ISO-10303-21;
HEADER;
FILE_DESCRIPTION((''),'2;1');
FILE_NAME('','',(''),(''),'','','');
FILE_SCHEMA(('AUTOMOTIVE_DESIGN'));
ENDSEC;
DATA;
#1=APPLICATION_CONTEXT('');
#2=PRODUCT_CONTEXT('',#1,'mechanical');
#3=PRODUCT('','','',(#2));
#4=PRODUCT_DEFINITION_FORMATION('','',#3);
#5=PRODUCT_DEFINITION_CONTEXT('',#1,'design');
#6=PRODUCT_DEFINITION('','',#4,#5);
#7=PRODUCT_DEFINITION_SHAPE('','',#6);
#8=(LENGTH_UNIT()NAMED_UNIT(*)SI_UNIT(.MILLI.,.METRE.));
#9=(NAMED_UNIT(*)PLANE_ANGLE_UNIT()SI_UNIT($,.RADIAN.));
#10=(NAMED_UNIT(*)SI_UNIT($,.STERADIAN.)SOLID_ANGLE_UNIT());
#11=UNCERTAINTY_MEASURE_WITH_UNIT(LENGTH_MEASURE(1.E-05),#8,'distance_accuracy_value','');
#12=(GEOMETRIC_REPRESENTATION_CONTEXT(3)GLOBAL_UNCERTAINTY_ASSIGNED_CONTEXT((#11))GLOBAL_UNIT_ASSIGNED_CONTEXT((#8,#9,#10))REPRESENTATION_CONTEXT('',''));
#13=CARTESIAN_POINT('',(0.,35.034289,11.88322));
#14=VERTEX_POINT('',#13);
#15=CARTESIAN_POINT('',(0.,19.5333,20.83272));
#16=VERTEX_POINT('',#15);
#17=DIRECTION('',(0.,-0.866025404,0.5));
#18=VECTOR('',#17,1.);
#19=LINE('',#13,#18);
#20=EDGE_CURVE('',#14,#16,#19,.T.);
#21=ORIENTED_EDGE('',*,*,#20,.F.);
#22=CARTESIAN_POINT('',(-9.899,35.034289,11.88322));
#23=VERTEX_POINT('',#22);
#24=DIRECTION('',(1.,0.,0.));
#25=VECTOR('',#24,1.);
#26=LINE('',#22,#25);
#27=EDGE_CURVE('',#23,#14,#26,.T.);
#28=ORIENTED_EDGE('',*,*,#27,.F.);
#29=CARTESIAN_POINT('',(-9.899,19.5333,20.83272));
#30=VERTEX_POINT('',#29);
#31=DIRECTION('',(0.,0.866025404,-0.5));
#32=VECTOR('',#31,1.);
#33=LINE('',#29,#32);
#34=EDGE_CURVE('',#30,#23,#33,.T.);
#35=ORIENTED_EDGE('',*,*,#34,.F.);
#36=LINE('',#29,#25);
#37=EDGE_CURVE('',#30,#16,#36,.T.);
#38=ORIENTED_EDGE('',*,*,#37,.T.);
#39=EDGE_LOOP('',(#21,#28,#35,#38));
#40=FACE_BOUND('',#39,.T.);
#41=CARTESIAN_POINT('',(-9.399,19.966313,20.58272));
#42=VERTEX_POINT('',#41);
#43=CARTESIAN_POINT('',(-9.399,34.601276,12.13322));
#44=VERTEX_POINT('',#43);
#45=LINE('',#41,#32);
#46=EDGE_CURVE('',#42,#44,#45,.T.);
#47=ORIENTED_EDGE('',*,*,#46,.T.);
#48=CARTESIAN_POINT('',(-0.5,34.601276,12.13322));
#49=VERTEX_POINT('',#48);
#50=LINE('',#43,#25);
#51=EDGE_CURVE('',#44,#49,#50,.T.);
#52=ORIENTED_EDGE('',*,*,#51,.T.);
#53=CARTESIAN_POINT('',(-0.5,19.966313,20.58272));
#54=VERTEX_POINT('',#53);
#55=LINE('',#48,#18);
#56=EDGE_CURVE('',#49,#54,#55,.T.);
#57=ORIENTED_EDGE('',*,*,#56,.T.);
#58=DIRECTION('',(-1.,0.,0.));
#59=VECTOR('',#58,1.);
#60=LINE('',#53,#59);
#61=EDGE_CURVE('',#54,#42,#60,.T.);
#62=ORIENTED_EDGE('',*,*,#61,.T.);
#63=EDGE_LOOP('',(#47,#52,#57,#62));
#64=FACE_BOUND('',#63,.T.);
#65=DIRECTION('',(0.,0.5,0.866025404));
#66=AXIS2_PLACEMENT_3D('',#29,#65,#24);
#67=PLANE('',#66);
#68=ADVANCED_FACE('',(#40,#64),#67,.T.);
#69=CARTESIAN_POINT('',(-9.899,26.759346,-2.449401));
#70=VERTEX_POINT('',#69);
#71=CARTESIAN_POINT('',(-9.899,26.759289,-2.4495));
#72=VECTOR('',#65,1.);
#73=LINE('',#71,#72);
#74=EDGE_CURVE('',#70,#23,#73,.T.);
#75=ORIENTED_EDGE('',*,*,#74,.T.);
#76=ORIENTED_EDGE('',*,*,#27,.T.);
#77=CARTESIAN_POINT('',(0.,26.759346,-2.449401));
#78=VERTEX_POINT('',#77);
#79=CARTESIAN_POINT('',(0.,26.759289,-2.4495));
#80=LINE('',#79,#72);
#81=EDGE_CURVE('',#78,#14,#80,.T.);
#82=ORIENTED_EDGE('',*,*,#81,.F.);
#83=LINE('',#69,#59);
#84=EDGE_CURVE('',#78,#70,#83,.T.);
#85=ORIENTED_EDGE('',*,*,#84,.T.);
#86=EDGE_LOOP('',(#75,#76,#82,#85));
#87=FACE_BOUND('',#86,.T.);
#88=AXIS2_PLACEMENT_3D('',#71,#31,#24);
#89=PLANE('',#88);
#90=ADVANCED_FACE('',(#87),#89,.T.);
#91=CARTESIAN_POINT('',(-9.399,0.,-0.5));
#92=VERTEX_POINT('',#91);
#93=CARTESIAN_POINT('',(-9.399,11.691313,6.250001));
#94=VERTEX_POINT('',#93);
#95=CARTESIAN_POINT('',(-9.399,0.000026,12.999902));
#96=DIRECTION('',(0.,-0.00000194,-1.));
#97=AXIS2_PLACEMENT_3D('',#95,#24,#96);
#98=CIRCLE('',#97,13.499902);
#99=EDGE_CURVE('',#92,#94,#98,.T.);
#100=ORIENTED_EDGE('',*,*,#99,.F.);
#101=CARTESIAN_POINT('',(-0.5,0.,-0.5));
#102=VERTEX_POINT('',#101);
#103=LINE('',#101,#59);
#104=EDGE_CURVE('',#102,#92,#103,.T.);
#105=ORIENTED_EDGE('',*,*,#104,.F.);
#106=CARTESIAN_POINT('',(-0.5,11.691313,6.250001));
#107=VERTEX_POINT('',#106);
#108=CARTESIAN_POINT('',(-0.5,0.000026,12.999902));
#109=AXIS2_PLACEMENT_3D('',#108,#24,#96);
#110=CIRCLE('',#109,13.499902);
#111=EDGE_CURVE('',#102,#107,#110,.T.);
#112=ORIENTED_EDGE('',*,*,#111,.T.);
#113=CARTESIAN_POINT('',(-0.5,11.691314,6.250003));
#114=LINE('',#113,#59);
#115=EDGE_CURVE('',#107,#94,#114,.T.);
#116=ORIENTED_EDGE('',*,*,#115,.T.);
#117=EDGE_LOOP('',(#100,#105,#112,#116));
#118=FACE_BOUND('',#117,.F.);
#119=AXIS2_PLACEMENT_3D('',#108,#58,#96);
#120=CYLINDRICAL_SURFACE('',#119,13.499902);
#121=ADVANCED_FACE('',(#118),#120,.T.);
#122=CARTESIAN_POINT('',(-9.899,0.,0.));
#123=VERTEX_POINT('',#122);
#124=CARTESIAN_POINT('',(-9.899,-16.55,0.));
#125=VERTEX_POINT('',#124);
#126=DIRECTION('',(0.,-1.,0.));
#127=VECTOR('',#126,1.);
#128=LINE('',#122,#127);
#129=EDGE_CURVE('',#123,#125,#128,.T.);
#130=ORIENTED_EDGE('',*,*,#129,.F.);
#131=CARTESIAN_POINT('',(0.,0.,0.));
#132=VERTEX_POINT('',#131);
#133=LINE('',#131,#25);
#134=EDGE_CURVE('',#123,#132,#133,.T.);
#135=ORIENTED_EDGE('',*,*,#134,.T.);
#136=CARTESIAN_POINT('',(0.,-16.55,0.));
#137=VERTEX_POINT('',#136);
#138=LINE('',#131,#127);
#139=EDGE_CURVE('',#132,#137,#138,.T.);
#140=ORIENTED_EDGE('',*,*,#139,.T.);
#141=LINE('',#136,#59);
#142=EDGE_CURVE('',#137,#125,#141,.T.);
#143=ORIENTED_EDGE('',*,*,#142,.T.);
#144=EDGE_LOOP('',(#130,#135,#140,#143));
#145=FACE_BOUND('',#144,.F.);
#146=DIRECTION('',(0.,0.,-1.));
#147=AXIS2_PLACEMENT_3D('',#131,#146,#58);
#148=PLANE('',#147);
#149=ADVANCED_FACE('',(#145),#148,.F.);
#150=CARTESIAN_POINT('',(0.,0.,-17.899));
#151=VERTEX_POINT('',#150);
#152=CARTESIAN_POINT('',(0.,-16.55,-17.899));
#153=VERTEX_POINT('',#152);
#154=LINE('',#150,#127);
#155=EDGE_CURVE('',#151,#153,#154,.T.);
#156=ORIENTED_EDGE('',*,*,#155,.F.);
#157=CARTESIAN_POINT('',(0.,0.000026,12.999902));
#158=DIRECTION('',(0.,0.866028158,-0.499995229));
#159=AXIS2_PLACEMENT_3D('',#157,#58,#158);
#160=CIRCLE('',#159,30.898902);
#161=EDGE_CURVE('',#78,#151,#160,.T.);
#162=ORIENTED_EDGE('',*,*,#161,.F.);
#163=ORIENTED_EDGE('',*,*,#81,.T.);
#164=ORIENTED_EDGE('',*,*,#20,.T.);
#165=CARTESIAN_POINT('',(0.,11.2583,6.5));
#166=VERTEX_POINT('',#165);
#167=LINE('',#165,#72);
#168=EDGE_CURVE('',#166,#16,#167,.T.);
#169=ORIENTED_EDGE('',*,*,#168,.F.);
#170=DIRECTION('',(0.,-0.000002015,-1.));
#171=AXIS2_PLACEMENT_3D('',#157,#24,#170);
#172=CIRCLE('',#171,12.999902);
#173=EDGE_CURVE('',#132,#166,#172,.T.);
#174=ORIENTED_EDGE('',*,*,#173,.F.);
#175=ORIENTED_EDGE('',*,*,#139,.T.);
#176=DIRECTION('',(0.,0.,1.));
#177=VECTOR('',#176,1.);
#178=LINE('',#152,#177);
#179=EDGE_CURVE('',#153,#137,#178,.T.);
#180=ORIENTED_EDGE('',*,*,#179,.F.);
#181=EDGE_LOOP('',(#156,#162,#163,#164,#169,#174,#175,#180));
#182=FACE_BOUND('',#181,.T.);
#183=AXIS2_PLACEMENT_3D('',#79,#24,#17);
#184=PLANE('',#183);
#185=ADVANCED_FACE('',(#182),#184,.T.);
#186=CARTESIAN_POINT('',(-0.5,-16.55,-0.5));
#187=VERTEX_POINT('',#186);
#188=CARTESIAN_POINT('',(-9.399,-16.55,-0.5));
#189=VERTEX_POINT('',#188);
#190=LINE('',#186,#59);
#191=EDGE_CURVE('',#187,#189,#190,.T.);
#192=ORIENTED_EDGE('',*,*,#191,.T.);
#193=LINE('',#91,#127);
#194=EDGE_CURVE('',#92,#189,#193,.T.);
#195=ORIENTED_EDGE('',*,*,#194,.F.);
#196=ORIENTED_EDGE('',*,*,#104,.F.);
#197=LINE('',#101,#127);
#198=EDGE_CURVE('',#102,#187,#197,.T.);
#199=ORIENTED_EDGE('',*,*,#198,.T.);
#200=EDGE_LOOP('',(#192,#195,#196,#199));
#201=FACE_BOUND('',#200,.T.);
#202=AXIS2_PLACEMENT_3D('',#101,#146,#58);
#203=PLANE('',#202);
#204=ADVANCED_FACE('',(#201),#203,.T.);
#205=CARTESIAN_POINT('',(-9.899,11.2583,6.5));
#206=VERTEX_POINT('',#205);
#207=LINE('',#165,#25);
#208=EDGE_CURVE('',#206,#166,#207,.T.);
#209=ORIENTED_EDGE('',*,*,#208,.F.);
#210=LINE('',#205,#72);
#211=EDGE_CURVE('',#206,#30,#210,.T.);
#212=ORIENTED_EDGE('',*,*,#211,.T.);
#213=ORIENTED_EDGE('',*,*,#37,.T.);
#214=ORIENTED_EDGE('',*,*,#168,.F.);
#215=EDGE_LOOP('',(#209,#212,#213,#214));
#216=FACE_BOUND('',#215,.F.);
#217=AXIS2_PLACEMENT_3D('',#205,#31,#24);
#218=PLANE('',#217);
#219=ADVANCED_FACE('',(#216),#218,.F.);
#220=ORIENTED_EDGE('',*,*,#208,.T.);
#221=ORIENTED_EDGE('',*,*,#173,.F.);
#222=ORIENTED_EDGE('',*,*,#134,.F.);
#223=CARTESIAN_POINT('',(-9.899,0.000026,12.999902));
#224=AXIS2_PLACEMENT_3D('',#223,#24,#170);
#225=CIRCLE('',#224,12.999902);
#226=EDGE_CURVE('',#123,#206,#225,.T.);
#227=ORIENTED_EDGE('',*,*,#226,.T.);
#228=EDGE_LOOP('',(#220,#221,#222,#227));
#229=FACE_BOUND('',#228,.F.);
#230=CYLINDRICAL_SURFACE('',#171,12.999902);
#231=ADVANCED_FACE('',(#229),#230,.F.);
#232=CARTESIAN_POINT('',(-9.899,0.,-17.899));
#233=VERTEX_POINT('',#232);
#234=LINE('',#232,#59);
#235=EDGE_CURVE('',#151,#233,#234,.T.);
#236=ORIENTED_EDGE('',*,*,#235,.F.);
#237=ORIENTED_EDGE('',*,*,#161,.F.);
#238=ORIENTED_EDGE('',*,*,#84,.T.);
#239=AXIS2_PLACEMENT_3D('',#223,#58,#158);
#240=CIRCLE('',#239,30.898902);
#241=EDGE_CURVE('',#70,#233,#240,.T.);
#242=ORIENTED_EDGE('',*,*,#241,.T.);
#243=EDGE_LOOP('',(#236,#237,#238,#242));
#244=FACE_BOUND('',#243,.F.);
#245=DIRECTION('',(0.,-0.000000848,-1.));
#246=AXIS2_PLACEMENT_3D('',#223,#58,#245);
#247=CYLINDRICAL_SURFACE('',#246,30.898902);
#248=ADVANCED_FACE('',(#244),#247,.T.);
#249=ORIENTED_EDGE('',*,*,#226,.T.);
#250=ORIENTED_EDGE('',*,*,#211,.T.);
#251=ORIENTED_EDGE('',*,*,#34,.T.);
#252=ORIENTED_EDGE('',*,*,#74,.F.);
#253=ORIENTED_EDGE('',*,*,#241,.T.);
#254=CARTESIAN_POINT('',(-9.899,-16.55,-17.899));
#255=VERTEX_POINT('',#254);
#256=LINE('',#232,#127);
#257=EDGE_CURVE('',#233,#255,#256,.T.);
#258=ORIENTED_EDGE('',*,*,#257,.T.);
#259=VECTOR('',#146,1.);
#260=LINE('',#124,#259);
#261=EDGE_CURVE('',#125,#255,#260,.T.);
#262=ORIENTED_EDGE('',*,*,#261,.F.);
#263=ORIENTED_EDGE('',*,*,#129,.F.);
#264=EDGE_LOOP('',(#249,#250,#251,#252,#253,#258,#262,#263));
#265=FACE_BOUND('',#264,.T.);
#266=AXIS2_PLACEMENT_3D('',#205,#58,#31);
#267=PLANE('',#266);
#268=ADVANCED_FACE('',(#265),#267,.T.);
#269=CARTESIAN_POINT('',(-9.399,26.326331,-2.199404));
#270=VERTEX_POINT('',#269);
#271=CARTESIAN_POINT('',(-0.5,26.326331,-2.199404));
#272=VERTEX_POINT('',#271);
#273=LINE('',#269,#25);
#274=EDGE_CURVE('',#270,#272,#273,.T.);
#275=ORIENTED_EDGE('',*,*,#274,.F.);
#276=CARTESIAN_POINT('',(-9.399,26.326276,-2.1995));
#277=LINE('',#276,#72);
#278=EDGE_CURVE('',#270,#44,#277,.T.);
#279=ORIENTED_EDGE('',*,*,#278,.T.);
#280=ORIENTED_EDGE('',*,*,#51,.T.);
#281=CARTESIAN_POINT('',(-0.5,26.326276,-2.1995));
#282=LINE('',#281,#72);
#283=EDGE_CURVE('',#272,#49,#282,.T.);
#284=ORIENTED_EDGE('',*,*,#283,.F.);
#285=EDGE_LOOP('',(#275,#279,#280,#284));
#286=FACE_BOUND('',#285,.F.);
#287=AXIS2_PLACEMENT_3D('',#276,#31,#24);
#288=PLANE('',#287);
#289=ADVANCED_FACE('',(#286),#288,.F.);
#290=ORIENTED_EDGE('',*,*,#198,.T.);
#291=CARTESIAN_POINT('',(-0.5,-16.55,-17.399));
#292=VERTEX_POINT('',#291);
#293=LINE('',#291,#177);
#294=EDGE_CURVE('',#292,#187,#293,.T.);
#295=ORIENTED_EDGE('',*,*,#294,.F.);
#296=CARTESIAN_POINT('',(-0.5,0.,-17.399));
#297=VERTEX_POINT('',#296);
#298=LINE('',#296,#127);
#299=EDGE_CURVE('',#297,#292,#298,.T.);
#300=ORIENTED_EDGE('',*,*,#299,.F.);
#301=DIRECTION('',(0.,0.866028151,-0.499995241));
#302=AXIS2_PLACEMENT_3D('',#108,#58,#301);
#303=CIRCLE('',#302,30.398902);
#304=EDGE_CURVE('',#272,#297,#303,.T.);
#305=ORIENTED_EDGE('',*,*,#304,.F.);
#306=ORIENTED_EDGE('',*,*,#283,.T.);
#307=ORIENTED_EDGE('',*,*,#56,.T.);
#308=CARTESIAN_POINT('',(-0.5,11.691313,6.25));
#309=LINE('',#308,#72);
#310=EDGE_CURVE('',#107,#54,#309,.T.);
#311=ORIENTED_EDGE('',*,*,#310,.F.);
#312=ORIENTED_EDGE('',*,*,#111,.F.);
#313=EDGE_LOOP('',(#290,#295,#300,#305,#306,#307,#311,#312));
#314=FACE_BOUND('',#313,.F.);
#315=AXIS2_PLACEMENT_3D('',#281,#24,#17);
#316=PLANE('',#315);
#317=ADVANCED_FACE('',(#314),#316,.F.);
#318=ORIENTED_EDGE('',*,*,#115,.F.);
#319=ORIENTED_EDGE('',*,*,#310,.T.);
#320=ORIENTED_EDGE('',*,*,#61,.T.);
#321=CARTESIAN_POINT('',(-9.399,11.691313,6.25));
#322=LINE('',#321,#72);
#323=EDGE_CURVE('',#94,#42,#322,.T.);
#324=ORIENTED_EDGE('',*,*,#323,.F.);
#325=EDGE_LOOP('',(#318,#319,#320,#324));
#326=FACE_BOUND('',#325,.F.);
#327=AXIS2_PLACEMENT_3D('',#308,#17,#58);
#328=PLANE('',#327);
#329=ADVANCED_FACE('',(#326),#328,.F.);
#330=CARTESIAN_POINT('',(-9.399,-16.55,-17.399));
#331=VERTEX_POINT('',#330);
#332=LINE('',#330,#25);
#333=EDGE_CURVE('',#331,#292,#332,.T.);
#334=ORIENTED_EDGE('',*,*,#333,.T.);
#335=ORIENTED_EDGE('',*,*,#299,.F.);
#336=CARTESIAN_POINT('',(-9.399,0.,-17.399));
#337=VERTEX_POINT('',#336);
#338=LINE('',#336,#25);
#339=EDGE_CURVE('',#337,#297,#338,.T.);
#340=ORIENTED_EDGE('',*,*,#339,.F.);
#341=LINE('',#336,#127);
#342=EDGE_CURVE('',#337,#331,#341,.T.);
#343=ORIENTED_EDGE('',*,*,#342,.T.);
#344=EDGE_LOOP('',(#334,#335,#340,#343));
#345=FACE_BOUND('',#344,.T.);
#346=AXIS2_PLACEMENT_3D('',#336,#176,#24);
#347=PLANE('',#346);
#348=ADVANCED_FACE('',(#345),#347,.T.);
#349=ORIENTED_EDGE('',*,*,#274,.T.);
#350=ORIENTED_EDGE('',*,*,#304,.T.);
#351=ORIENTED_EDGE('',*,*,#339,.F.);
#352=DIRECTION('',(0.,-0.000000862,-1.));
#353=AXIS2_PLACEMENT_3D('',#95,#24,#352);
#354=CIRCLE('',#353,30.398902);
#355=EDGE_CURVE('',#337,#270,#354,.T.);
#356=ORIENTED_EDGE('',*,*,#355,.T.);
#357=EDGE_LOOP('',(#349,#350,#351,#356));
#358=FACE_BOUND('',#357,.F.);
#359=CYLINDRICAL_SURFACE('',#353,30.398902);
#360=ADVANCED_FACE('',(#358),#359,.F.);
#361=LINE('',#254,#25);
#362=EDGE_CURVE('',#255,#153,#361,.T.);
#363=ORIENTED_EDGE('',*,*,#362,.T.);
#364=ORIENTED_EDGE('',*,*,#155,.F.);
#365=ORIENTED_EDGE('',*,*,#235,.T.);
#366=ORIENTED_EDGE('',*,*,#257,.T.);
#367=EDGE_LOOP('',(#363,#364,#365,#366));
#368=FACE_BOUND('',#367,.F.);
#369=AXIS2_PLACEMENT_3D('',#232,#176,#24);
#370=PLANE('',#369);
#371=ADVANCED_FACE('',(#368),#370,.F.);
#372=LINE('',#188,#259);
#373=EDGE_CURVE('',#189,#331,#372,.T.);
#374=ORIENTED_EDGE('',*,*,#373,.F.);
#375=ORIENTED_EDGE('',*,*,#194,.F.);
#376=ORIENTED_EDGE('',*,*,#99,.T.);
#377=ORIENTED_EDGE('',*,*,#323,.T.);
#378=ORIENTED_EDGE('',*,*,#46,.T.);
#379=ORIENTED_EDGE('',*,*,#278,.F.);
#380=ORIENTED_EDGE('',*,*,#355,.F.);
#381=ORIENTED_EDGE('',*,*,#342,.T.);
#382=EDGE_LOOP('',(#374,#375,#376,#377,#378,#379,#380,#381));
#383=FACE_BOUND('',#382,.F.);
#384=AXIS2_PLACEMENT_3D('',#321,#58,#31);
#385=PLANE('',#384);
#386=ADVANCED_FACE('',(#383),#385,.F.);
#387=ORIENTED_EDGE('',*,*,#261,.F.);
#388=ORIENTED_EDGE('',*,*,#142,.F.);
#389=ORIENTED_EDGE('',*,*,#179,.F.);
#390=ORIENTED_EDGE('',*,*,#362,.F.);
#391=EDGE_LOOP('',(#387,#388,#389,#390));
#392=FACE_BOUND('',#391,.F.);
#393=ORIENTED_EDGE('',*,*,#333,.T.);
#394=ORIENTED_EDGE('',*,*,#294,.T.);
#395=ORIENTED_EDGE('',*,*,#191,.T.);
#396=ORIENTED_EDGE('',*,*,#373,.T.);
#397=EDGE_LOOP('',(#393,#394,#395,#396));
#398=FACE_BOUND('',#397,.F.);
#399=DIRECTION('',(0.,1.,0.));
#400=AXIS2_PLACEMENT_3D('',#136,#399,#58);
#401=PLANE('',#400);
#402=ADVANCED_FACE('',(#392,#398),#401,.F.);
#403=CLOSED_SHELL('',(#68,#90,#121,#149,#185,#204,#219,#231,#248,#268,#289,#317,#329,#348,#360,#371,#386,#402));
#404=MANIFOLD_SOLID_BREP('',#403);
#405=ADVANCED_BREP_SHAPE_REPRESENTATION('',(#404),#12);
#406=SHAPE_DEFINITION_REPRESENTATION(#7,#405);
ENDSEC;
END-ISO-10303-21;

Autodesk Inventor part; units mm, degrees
ref_plane "YZ Plane" through (0, 0, 0) normal (1, 0, 0) x (0, 1, 0)
ref_plane "XZ Plane" through (0, 0, 0) normal (0, 1, 0) x (-1, 0, 0)
ref_plane "XY Plane" through (0, 0, 0) normal (0, 0, 1) x (1, 0, 0)
sketch "Sketch1" plane through (0, 0, 0) normal (0, 1, 0) x (-1, 0, 0)
  line L0 (0, 0) -> (9.899, 0)
  line L1 (9.899, 0) -> (9.899, -17.899)
  line L2 (9.899, -17.899) -> (0, -17.899)
  line L3 (0, -17.899) -> (0, 0)
  line L4 (0.5, -0.5) -> (9.399, -0.5)
  line L5 (9.399, -0.5) -> (9.399, -17.399)
  line L6 (9.399, -17.399) -> (0.5, -17.399)
  line L7 (0.5, -17.399) -> (0.5, -0.5)
  dimension "d0" = 9.899
  dimension "d1" = 17.899
  dimension "d2" = 16.899
  dimension "d3" = 8.899
  dimension "d4" = 0.5
  dimension "d5" = 0.5
sketch "Sketch3" plane through (0, 0, 0) normal (1, 0, 0) x (0, 1, 0)
  arc A0 (0, 0) -> (11.2583, 6.5) centre (0, 13) ccw
  line L0 (0, 13) -> (11.2583, 6.5) construction
  line L1 (0, 13) -> (0, 0) construction
  dimension "d6" = 60
  dimension "d7" = 13
sweep "Sweep1" add profiles "Sketch1" path "Sketch3"
extrude "Extrusion1" add sketch "Sketch1" against normal blind 16.55
ref_plane "Work Plane1" through (-9.899, 11.2583, 6.5) normal (0, 0.5, 0.866) x (1, 0, 0)
sketch "Sketch4" plane through (-9.899, 11.2583, 6.5) normal (0, 0.5, 0.866) x (1, 0, 0)
  line L0 (0, 0) -> (9.899, 0)
  line L1 (0, 0) -> (0, 17.899)
  line L2 (0, 17.899) -> (9.899, 17.899)
  line L3 (9.899, 17.899) -> (9.899, 0)
  line L4 (0.5, 17.399) -> (9.399, 17.399)
  line L5 (9.399, 17.399) -> (9.399, 0.5)
  line L6 (9.399, 0.5) -> (0.5, 0.5)
  line L7 (9.399, 0.5) -> (0.5, 0.5) projected
  line L8 (0.5, 0.5) -> (0.5, 17.399)
extrude "Extrusion2" add sketch "Sketch4" along normal blind 16.55
properties part number "curved waveguide120"
